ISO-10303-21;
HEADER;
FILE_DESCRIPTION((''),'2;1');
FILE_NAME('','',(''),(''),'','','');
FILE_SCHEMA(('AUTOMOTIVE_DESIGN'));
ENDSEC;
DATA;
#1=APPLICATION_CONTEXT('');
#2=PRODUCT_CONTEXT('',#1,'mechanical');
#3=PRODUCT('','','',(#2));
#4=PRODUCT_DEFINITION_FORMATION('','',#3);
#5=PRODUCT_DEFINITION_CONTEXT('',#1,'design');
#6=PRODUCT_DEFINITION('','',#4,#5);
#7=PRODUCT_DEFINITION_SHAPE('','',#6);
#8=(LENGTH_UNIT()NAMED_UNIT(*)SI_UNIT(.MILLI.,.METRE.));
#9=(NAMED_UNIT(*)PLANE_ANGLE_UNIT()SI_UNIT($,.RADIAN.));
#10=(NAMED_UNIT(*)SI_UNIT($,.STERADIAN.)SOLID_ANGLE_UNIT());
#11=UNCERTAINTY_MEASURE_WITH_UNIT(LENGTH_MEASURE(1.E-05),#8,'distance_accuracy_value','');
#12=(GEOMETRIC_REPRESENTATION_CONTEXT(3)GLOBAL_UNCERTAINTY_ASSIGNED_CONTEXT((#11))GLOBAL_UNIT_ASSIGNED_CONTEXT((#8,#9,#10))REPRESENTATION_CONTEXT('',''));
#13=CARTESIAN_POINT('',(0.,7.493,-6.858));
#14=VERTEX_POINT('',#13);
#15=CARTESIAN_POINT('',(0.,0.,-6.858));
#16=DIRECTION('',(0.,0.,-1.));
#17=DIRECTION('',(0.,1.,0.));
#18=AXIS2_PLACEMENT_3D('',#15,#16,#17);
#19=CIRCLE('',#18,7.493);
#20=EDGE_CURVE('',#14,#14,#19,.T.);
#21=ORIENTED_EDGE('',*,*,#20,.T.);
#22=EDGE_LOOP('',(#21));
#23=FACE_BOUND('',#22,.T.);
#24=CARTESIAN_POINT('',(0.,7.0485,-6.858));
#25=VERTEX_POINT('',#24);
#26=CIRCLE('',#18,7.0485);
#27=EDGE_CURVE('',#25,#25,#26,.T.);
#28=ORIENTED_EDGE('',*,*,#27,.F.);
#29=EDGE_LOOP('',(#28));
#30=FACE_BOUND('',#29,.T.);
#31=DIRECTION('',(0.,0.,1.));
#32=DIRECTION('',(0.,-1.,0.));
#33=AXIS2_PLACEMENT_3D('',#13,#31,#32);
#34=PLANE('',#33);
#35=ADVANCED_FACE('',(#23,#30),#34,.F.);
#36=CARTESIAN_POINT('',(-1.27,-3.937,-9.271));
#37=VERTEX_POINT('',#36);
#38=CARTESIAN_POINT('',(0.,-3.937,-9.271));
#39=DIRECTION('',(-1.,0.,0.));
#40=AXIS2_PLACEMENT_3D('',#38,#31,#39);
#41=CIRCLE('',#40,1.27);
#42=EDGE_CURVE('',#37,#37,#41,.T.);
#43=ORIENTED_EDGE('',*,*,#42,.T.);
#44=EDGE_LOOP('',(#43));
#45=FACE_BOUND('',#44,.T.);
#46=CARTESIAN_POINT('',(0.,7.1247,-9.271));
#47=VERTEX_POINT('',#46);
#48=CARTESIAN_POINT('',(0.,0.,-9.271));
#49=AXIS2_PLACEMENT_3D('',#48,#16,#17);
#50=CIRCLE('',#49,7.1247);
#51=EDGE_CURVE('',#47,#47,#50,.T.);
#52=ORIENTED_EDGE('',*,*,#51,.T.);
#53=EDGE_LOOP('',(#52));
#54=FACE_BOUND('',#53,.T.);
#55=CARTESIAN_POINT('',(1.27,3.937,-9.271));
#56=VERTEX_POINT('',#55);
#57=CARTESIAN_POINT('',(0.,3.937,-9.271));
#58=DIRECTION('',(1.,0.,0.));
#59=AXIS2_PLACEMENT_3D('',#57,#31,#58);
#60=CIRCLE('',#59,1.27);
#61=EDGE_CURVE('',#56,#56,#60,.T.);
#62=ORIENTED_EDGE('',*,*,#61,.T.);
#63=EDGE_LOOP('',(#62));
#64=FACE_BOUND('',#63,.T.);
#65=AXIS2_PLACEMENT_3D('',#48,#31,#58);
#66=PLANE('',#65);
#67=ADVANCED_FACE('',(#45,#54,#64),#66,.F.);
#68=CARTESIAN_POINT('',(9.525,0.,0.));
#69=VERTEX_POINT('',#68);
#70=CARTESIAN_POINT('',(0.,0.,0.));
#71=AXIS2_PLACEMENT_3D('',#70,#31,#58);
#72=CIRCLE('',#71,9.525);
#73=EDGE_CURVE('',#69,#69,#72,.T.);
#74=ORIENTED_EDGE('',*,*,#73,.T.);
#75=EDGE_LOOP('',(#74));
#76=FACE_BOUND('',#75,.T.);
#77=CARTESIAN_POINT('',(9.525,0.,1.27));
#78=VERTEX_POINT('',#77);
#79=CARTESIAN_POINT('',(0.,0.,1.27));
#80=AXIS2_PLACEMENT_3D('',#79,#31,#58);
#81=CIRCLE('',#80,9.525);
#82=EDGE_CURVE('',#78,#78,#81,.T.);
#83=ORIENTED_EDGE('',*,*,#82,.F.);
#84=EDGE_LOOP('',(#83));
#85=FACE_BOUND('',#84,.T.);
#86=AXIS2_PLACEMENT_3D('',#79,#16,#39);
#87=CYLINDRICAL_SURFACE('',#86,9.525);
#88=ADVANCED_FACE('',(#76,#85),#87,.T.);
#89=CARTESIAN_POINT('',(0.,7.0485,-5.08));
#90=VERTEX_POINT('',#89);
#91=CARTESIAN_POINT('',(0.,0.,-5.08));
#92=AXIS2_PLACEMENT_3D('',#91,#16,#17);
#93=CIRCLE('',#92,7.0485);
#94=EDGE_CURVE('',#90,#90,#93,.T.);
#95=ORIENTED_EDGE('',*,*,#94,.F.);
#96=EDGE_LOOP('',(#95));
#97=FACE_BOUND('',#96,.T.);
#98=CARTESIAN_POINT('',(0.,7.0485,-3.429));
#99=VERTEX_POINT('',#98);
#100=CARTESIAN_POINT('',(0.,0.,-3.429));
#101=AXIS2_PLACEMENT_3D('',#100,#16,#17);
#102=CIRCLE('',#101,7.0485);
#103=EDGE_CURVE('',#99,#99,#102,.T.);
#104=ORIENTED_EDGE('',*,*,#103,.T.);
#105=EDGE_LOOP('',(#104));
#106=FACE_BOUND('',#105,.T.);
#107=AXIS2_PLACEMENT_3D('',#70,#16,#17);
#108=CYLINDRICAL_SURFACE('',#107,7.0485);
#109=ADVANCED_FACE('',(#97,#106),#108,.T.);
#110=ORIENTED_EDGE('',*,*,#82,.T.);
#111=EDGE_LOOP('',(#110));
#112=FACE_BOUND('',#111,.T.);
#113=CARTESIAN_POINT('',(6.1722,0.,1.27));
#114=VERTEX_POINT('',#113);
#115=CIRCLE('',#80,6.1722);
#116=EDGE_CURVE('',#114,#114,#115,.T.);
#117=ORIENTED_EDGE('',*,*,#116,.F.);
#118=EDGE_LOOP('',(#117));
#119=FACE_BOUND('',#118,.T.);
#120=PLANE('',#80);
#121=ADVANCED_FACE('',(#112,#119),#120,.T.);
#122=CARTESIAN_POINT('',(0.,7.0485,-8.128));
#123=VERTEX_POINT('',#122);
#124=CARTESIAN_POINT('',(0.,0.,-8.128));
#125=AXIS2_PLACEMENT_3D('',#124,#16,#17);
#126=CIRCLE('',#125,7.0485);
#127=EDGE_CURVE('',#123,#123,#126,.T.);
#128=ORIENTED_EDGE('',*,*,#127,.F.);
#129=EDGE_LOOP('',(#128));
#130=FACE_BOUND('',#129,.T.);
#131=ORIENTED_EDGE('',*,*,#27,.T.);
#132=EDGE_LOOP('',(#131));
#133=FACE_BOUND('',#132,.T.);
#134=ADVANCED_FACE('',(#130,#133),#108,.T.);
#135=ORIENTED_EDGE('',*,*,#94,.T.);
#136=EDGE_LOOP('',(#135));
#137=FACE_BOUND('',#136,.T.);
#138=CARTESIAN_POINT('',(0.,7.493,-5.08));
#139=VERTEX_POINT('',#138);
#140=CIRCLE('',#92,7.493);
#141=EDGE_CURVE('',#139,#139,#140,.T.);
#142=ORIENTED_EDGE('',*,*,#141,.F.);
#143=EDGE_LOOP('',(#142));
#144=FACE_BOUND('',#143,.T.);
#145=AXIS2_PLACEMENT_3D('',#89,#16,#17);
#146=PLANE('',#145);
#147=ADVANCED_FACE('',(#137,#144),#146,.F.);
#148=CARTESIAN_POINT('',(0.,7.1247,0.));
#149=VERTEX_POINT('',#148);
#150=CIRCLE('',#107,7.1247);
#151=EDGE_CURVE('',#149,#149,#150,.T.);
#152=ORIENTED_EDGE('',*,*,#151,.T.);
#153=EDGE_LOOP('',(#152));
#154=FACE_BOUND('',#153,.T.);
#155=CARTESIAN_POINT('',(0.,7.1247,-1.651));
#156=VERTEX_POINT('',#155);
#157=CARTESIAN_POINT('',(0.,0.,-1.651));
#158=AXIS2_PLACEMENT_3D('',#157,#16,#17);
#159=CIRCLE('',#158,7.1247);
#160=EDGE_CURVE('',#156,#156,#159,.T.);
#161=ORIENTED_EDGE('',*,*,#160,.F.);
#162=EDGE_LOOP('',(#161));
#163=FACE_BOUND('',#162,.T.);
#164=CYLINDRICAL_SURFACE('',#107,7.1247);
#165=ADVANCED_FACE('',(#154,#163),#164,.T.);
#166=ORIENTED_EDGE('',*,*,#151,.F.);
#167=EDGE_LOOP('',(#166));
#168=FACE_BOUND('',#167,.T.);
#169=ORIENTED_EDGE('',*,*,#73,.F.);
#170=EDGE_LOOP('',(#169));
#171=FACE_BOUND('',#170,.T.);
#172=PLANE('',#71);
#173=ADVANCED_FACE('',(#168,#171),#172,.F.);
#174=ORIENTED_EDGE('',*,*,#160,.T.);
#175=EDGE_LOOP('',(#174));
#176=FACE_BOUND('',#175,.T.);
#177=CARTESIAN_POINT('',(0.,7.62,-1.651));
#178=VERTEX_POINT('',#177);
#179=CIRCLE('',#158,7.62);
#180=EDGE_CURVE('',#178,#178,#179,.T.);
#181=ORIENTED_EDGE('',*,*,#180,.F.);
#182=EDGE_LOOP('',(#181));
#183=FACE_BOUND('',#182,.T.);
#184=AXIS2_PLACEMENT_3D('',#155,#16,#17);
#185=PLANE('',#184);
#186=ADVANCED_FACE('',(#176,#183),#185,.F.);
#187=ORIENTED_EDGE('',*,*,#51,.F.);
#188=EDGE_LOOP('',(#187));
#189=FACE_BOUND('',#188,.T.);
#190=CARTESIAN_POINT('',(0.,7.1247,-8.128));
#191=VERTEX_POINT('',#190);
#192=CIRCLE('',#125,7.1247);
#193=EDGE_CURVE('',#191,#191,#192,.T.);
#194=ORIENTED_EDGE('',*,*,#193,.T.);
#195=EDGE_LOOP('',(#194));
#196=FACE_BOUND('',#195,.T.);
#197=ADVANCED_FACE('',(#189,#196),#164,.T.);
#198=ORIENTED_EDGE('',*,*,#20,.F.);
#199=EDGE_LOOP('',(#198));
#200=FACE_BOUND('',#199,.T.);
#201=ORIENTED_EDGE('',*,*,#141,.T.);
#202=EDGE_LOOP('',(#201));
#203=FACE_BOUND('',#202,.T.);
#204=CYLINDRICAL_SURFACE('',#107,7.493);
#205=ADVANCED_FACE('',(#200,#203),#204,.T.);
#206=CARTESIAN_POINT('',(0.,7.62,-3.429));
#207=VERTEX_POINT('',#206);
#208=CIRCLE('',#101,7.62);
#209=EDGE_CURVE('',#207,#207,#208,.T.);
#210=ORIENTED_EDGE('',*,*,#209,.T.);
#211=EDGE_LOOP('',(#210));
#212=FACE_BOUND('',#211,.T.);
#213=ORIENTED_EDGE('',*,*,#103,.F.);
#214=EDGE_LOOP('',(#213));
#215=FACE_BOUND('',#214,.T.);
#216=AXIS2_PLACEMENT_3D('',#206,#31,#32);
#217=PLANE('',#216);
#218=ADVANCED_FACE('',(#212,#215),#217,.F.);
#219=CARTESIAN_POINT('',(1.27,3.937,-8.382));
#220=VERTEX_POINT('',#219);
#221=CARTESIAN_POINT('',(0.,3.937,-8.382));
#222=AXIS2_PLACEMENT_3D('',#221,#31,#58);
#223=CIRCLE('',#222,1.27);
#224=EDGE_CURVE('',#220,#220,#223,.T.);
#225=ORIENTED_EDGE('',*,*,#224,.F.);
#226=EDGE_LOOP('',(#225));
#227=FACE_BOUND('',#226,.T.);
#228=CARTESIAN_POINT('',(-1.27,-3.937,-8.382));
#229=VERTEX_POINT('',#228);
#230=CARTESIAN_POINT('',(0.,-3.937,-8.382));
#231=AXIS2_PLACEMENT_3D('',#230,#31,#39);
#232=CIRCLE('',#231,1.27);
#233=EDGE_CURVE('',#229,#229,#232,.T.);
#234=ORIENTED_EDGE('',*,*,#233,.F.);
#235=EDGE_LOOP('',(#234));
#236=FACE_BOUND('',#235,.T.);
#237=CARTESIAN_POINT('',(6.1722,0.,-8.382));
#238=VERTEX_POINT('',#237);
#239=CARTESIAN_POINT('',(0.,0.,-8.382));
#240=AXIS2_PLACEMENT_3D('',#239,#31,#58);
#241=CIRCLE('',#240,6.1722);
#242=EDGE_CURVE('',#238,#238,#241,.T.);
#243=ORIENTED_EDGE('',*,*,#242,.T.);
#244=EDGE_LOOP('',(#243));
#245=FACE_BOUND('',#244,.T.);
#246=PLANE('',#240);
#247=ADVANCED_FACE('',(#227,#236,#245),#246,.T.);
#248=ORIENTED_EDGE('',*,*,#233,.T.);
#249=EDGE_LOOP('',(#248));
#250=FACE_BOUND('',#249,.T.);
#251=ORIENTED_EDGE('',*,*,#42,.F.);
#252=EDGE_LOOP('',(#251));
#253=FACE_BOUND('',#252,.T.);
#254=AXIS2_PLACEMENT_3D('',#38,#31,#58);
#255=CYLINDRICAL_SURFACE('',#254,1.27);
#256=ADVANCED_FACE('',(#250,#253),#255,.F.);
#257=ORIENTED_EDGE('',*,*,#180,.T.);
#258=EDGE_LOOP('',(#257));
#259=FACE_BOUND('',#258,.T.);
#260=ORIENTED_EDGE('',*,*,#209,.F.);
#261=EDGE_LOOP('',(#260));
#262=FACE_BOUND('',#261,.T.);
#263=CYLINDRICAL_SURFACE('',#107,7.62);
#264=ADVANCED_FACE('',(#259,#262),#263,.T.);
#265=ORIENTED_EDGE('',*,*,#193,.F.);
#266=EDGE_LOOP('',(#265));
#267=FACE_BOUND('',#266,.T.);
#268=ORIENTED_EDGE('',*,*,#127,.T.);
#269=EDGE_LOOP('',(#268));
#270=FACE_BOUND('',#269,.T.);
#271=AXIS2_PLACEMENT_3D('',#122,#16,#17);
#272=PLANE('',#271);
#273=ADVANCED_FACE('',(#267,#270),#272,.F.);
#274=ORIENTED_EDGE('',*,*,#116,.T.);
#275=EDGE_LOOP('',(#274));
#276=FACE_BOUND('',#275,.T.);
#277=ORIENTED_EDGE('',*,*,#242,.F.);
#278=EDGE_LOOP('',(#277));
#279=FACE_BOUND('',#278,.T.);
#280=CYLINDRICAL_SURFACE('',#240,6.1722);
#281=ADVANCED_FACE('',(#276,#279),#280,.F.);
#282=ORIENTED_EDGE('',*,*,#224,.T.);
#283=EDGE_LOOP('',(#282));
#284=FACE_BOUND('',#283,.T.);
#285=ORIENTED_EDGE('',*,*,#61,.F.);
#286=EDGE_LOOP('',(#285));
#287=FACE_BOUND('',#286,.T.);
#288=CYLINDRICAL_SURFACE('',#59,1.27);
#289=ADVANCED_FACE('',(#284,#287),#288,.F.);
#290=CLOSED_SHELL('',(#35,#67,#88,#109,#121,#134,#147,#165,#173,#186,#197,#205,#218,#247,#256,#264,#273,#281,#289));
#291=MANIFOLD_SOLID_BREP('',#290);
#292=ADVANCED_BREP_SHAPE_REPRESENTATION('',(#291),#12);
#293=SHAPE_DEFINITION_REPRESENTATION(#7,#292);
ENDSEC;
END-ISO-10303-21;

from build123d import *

# Parameters (mm, degrees)
SKETCH1_R           = 9.525
BOSS_EXTRUDE1_DEPTH = 1.27
SKETCH2_R           = 8.3185
BOSS_EXTRUDE2_DEPTH = 10.541
SKETCH3_R           = 6.1722
CUT_EXTRUDE1_DEPTH  = 9.652
SKETCH4_R           = 1.27
CUT_EXTRUDE2_DEPTH  = 17.571431863


with BuildPart() as part:
    # Sketch1 → Boss-Extrude1 (new body)
    with BuildSketch(Plane.XY):
        Circle(SKETCH1_R)
    extrude(amount=BOSS_EXTRUDE1_DEPTH)

    # Sketch2 → Boss-Extrude2 (add)
    with BuildSketch(Plane(origin=(0, 0, 1.27), x_dir=(-1, 0, 0), z_dir=(0, 0, -1))):
        Circle(SKETCH2_R)
    extrude(amount=BOSS_EXTRUDE2_DEPTH)

    # Sketch3 → Cut-Extrude1 (cut)
    with BuildSketch(Plane.XY.offset(1.27)):
        Circle(SKETCH3_R)
    extrude(amount=-CUT_EXTRUDE1_DEPTH, mode=Mode.SUBTRACT)

    # Sketch4 → Cut-Extrude2 (cut, through all)
    with BuildSketch(Plane.XY.offset(-8.382)):
        with Locations((0, 3.937)):
            Circle(SKETCH4_R)
        with Locations(Location((0, -3.937, 0), (0, 0, 180))):
            Circle(SKETCH4_R)
    extrude(amount=-CUT_EXTRUDE2_DEPTH, mode=Mode.SUBTRACT)

    # Sketch5 → Cut-Revolve1 (revolve, cut)
    with BuildSketch(Plane(origin=(0, 0, 0), x_dir=(0, 0, -1), z_dir=(1, 0, 0))):
        Polygon((0, 7.1247), (0, 9.525), (9.271, 9.525), (9.271, 7.1247), (8.128, 7.1247), (8.128, 7.0485), (6.858, 7.0485), (6.858, 7.493), (5.08, 7.493), (5.08, 7.0485), (3.429, 7.0485), (3.429, 7.62), (1.651, 7.62), (1.651, 7.1247), align=None)
    revolve(axis=Axis((0, 0, 0), (0, 0, 1)), mode=Mode.SUBTRACT)


solid = part.part
